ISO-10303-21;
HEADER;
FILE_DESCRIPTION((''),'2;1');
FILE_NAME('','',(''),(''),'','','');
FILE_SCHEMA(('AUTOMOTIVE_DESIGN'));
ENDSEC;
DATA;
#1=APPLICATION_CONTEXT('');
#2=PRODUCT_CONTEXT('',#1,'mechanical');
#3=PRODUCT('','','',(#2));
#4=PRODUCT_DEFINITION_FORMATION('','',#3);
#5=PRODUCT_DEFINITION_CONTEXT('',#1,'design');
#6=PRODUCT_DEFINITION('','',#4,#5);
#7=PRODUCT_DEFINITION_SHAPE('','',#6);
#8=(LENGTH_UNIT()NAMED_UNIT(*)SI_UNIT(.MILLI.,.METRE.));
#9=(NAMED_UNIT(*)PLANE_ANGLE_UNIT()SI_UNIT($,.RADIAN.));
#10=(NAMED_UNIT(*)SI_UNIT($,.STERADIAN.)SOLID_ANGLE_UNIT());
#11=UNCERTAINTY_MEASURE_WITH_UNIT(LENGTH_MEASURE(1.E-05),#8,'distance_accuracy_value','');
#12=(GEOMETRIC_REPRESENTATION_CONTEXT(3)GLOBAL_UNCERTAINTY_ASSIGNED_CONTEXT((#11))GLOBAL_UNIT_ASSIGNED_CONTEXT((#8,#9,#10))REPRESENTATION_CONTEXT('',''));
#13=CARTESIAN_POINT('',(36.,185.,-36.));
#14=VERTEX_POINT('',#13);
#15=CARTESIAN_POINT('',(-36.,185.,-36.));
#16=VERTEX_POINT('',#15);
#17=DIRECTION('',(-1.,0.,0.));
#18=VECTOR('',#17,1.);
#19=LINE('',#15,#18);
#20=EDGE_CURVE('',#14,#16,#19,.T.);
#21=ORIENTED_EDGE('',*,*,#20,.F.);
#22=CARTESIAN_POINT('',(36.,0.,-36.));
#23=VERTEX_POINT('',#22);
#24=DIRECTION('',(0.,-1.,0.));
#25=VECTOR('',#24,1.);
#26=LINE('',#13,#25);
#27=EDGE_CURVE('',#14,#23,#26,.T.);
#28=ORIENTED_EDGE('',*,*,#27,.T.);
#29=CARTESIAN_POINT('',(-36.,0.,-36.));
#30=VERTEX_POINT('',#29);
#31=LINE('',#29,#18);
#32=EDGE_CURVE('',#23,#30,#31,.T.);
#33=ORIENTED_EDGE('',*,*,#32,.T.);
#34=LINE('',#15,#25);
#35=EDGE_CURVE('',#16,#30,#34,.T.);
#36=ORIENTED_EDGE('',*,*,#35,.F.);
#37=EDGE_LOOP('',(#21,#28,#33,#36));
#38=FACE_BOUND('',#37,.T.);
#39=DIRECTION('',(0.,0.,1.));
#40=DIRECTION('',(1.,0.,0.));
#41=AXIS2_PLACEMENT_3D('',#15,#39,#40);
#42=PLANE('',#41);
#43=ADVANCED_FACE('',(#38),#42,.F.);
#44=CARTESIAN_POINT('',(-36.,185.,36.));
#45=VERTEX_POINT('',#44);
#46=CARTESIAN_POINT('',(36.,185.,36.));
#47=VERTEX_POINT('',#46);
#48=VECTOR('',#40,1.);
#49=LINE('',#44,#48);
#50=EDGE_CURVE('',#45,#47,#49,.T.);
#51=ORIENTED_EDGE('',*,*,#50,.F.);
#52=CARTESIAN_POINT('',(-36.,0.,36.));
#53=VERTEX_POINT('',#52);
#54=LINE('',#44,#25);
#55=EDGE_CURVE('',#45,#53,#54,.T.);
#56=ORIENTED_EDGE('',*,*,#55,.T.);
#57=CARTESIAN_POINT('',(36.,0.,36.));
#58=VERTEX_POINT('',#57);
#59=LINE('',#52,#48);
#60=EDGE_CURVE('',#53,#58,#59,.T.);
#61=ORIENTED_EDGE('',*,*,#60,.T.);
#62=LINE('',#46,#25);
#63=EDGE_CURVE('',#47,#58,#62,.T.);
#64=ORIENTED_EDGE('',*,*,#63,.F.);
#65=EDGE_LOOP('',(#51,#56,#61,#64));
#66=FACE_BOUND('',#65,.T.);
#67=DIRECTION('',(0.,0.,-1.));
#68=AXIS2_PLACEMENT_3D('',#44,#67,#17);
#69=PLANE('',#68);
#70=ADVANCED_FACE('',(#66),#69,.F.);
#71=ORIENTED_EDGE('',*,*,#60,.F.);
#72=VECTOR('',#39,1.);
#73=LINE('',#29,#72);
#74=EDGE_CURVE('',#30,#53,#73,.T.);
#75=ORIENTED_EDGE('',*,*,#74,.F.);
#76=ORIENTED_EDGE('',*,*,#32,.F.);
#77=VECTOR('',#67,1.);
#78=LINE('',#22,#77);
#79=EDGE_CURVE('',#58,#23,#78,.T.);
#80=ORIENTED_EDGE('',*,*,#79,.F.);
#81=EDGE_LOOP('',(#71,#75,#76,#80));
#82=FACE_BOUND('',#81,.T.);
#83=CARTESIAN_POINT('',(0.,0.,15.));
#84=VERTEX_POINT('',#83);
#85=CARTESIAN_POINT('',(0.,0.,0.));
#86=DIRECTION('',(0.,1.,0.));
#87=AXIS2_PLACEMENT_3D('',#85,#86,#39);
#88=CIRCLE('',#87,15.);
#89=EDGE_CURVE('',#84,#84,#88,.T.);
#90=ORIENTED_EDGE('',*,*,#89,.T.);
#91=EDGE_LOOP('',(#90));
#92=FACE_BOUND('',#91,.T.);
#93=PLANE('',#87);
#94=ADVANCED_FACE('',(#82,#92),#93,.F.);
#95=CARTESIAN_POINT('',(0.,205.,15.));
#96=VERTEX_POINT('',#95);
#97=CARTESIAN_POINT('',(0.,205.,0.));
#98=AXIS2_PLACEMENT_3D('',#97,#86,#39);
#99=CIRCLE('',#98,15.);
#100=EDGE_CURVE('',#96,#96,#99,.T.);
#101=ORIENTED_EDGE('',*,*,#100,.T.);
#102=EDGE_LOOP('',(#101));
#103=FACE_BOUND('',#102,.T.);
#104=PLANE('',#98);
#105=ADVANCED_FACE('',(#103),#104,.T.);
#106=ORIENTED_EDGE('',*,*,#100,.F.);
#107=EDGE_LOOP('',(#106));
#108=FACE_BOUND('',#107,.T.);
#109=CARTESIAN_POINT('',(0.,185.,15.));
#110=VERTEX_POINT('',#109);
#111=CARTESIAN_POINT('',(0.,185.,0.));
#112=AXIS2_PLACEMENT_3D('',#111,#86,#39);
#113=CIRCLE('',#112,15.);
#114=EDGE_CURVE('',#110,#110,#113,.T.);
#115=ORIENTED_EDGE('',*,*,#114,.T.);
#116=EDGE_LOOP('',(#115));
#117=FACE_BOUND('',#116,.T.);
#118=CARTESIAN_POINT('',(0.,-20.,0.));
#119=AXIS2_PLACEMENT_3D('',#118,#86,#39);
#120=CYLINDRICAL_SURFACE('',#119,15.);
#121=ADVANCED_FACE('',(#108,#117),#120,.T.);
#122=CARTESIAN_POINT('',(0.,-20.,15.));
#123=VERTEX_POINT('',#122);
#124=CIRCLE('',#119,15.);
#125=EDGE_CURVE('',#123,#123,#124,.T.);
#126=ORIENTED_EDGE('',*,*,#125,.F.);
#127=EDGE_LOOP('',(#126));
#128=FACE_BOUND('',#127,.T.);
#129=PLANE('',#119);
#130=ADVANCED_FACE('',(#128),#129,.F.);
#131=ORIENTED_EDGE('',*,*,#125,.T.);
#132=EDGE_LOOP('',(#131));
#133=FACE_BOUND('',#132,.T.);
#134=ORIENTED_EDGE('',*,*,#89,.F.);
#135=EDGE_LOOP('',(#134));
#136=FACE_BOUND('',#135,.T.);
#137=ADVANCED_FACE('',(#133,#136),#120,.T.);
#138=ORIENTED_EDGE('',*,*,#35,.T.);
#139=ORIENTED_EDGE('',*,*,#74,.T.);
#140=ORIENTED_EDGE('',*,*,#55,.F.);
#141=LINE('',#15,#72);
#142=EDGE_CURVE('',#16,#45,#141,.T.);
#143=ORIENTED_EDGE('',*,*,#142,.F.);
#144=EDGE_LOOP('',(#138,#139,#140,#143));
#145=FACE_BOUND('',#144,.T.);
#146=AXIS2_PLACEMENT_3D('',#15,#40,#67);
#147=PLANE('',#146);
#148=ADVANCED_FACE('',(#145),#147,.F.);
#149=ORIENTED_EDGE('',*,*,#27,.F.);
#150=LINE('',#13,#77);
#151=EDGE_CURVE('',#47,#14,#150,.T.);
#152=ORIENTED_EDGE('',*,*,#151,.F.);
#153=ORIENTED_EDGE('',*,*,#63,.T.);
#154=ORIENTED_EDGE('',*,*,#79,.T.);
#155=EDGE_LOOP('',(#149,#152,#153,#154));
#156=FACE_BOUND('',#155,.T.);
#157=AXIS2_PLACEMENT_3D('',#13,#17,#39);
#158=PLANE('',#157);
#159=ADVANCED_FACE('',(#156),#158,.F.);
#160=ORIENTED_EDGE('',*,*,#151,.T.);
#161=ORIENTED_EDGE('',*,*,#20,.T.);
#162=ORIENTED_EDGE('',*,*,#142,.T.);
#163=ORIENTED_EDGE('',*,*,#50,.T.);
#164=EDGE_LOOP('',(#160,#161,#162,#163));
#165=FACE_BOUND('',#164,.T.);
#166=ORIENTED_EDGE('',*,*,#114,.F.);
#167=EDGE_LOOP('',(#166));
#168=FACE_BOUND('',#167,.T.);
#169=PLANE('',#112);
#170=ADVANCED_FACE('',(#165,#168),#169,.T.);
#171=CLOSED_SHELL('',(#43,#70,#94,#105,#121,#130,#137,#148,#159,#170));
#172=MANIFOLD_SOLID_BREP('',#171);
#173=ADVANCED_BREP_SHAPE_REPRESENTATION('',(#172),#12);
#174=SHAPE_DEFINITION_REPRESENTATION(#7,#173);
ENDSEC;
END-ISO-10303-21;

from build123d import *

# Parameters (mm, degrees)
SKETCH1_W                = 72
SKETCH1_H                = 72
BOSS_EXTRUDE1_DEPTH      = 185
SKETCH2_R                = 15
BOSS_EXTRUDE2_DEPTH      = 20
BOSS_EXTRUDE2_DEPTH_BACK = 205


with BuildPart() as part:
    # Sketch1 → Boss-Extrude1 (new body)
    with BuildSketch(Plane(origin=(0, 0, 0), x_dir=(1, 0, 0), z_dir=(0, 1, 0))):
        Rectangle(SKETCH1_W, SKETCH1_H)
    extrude(amount=BOSS_EXTRUDE1_DEPTH)

    # Sketch2 → Boss-Extrude2 (add, two sides)
    with BuildSketch(Plane(origin=(0, 185, 0), x_dir=(1, 0, 0), z_dir=(0, 1, 0))) as boss_extrude2_sk:
        Circle(SKETCH2_R)
    extrude(amount=BOSS_EXTRUDE2_DEPTH)
    extrude(boss_extrude2_sk.sketch, amount=-BOSS_EXTRUDE2_DEPTH_BACK)


solid = part.part
